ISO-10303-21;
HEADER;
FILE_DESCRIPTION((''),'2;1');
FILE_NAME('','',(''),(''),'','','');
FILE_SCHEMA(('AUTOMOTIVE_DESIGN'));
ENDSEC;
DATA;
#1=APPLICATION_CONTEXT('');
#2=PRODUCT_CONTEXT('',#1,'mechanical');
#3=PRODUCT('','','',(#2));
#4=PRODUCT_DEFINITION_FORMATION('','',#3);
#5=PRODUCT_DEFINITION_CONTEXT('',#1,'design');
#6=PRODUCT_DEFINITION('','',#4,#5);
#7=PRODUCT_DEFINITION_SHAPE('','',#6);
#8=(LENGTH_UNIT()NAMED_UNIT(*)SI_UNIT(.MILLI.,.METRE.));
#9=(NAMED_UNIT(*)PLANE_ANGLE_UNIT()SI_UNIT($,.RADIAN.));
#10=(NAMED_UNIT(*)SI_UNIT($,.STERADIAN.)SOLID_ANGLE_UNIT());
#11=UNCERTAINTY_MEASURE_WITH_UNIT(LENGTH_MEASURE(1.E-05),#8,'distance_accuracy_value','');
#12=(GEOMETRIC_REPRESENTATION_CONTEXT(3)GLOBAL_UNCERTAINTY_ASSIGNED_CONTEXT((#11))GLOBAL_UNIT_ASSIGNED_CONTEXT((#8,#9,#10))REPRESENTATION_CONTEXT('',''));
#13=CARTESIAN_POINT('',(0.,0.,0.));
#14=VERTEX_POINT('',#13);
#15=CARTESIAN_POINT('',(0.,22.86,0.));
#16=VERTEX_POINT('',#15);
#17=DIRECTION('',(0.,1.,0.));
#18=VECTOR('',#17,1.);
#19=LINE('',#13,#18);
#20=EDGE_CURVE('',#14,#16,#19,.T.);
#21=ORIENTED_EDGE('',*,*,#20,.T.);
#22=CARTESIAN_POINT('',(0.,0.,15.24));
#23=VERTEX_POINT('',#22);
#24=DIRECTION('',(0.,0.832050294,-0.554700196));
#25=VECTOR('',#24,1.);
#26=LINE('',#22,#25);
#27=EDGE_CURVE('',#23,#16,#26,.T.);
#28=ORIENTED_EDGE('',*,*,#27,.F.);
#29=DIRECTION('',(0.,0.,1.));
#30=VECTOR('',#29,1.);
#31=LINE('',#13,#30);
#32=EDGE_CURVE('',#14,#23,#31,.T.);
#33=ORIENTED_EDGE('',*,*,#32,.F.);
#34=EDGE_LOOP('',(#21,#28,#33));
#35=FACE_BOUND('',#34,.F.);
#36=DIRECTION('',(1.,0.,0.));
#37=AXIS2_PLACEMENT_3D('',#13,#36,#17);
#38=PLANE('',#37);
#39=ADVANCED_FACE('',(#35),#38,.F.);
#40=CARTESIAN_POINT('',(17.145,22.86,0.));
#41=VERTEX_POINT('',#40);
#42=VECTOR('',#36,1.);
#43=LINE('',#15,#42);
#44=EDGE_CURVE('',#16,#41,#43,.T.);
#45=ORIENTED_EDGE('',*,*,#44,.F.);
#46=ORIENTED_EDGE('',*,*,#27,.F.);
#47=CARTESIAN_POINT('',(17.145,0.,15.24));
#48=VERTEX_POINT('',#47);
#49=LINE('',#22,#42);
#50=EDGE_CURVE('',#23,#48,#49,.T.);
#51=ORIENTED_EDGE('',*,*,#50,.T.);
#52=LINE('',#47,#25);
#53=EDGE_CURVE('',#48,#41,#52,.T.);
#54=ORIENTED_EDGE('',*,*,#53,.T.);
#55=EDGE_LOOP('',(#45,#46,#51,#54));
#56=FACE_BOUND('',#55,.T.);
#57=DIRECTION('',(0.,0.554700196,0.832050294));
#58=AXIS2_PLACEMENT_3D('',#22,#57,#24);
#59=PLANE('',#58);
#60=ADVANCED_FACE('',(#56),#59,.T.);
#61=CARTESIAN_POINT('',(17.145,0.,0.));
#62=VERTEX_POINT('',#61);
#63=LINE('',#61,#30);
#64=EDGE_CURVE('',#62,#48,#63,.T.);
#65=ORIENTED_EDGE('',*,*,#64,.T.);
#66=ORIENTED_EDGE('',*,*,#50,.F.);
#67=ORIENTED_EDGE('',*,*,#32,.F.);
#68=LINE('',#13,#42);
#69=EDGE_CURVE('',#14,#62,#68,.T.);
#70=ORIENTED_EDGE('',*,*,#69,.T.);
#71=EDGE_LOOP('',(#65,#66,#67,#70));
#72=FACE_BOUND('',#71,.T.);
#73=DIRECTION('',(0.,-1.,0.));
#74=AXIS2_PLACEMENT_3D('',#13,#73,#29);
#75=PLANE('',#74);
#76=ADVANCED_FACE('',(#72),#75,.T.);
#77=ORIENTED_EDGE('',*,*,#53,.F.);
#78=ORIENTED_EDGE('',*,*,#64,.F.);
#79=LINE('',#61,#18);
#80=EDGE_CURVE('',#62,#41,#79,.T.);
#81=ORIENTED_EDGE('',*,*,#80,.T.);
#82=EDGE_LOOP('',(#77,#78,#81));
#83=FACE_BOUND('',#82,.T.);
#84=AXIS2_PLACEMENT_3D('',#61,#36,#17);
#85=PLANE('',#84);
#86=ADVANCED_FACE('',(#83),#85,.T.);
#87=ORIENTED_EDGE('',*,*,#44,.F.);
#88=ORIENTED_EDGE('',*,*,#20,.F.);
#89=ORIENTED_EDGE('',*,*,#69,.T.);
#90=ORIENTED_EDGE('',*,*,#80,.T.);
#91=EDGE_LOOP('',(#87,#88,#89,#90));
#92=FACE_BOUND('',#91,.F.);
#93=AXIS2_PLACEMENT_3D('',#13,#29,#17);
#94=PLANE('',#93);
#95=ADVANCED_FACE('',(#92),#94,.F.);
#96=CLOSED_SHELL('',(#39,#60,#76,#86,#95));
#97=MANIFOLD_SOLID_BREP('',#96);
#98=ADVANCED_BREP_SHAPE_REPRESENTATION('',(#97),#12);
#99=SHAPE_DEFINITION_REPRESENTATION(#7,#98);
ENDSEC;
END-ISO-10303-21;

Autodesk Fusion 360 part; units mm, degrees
sketch "Sketch1" plane through (0, 0, 0) normal (1, 0, 0) x (0, 1, 0)
  line L0 (0, 0) -> (0, 15.24)
  line L1 (0, 15.24) -> (22.86, 0)
  line L2 (0, 0) -> (22.86, 0)
  dimension "d3" = 15.24
  dimension "d4" = 22.86
extrude "Extrude1" add sketch "Sketch1" along normal blind 17.145
equation "heightToPush = 0.6 in"
equation "width = 0.9 in"
equation "d3 = heightToPush"
equation "d4 = width"
equation "thickness = ReaderThickness * 3 / 4"
equation "d6 = thickness"
equation "ReaderThickness = 0.9 in"
